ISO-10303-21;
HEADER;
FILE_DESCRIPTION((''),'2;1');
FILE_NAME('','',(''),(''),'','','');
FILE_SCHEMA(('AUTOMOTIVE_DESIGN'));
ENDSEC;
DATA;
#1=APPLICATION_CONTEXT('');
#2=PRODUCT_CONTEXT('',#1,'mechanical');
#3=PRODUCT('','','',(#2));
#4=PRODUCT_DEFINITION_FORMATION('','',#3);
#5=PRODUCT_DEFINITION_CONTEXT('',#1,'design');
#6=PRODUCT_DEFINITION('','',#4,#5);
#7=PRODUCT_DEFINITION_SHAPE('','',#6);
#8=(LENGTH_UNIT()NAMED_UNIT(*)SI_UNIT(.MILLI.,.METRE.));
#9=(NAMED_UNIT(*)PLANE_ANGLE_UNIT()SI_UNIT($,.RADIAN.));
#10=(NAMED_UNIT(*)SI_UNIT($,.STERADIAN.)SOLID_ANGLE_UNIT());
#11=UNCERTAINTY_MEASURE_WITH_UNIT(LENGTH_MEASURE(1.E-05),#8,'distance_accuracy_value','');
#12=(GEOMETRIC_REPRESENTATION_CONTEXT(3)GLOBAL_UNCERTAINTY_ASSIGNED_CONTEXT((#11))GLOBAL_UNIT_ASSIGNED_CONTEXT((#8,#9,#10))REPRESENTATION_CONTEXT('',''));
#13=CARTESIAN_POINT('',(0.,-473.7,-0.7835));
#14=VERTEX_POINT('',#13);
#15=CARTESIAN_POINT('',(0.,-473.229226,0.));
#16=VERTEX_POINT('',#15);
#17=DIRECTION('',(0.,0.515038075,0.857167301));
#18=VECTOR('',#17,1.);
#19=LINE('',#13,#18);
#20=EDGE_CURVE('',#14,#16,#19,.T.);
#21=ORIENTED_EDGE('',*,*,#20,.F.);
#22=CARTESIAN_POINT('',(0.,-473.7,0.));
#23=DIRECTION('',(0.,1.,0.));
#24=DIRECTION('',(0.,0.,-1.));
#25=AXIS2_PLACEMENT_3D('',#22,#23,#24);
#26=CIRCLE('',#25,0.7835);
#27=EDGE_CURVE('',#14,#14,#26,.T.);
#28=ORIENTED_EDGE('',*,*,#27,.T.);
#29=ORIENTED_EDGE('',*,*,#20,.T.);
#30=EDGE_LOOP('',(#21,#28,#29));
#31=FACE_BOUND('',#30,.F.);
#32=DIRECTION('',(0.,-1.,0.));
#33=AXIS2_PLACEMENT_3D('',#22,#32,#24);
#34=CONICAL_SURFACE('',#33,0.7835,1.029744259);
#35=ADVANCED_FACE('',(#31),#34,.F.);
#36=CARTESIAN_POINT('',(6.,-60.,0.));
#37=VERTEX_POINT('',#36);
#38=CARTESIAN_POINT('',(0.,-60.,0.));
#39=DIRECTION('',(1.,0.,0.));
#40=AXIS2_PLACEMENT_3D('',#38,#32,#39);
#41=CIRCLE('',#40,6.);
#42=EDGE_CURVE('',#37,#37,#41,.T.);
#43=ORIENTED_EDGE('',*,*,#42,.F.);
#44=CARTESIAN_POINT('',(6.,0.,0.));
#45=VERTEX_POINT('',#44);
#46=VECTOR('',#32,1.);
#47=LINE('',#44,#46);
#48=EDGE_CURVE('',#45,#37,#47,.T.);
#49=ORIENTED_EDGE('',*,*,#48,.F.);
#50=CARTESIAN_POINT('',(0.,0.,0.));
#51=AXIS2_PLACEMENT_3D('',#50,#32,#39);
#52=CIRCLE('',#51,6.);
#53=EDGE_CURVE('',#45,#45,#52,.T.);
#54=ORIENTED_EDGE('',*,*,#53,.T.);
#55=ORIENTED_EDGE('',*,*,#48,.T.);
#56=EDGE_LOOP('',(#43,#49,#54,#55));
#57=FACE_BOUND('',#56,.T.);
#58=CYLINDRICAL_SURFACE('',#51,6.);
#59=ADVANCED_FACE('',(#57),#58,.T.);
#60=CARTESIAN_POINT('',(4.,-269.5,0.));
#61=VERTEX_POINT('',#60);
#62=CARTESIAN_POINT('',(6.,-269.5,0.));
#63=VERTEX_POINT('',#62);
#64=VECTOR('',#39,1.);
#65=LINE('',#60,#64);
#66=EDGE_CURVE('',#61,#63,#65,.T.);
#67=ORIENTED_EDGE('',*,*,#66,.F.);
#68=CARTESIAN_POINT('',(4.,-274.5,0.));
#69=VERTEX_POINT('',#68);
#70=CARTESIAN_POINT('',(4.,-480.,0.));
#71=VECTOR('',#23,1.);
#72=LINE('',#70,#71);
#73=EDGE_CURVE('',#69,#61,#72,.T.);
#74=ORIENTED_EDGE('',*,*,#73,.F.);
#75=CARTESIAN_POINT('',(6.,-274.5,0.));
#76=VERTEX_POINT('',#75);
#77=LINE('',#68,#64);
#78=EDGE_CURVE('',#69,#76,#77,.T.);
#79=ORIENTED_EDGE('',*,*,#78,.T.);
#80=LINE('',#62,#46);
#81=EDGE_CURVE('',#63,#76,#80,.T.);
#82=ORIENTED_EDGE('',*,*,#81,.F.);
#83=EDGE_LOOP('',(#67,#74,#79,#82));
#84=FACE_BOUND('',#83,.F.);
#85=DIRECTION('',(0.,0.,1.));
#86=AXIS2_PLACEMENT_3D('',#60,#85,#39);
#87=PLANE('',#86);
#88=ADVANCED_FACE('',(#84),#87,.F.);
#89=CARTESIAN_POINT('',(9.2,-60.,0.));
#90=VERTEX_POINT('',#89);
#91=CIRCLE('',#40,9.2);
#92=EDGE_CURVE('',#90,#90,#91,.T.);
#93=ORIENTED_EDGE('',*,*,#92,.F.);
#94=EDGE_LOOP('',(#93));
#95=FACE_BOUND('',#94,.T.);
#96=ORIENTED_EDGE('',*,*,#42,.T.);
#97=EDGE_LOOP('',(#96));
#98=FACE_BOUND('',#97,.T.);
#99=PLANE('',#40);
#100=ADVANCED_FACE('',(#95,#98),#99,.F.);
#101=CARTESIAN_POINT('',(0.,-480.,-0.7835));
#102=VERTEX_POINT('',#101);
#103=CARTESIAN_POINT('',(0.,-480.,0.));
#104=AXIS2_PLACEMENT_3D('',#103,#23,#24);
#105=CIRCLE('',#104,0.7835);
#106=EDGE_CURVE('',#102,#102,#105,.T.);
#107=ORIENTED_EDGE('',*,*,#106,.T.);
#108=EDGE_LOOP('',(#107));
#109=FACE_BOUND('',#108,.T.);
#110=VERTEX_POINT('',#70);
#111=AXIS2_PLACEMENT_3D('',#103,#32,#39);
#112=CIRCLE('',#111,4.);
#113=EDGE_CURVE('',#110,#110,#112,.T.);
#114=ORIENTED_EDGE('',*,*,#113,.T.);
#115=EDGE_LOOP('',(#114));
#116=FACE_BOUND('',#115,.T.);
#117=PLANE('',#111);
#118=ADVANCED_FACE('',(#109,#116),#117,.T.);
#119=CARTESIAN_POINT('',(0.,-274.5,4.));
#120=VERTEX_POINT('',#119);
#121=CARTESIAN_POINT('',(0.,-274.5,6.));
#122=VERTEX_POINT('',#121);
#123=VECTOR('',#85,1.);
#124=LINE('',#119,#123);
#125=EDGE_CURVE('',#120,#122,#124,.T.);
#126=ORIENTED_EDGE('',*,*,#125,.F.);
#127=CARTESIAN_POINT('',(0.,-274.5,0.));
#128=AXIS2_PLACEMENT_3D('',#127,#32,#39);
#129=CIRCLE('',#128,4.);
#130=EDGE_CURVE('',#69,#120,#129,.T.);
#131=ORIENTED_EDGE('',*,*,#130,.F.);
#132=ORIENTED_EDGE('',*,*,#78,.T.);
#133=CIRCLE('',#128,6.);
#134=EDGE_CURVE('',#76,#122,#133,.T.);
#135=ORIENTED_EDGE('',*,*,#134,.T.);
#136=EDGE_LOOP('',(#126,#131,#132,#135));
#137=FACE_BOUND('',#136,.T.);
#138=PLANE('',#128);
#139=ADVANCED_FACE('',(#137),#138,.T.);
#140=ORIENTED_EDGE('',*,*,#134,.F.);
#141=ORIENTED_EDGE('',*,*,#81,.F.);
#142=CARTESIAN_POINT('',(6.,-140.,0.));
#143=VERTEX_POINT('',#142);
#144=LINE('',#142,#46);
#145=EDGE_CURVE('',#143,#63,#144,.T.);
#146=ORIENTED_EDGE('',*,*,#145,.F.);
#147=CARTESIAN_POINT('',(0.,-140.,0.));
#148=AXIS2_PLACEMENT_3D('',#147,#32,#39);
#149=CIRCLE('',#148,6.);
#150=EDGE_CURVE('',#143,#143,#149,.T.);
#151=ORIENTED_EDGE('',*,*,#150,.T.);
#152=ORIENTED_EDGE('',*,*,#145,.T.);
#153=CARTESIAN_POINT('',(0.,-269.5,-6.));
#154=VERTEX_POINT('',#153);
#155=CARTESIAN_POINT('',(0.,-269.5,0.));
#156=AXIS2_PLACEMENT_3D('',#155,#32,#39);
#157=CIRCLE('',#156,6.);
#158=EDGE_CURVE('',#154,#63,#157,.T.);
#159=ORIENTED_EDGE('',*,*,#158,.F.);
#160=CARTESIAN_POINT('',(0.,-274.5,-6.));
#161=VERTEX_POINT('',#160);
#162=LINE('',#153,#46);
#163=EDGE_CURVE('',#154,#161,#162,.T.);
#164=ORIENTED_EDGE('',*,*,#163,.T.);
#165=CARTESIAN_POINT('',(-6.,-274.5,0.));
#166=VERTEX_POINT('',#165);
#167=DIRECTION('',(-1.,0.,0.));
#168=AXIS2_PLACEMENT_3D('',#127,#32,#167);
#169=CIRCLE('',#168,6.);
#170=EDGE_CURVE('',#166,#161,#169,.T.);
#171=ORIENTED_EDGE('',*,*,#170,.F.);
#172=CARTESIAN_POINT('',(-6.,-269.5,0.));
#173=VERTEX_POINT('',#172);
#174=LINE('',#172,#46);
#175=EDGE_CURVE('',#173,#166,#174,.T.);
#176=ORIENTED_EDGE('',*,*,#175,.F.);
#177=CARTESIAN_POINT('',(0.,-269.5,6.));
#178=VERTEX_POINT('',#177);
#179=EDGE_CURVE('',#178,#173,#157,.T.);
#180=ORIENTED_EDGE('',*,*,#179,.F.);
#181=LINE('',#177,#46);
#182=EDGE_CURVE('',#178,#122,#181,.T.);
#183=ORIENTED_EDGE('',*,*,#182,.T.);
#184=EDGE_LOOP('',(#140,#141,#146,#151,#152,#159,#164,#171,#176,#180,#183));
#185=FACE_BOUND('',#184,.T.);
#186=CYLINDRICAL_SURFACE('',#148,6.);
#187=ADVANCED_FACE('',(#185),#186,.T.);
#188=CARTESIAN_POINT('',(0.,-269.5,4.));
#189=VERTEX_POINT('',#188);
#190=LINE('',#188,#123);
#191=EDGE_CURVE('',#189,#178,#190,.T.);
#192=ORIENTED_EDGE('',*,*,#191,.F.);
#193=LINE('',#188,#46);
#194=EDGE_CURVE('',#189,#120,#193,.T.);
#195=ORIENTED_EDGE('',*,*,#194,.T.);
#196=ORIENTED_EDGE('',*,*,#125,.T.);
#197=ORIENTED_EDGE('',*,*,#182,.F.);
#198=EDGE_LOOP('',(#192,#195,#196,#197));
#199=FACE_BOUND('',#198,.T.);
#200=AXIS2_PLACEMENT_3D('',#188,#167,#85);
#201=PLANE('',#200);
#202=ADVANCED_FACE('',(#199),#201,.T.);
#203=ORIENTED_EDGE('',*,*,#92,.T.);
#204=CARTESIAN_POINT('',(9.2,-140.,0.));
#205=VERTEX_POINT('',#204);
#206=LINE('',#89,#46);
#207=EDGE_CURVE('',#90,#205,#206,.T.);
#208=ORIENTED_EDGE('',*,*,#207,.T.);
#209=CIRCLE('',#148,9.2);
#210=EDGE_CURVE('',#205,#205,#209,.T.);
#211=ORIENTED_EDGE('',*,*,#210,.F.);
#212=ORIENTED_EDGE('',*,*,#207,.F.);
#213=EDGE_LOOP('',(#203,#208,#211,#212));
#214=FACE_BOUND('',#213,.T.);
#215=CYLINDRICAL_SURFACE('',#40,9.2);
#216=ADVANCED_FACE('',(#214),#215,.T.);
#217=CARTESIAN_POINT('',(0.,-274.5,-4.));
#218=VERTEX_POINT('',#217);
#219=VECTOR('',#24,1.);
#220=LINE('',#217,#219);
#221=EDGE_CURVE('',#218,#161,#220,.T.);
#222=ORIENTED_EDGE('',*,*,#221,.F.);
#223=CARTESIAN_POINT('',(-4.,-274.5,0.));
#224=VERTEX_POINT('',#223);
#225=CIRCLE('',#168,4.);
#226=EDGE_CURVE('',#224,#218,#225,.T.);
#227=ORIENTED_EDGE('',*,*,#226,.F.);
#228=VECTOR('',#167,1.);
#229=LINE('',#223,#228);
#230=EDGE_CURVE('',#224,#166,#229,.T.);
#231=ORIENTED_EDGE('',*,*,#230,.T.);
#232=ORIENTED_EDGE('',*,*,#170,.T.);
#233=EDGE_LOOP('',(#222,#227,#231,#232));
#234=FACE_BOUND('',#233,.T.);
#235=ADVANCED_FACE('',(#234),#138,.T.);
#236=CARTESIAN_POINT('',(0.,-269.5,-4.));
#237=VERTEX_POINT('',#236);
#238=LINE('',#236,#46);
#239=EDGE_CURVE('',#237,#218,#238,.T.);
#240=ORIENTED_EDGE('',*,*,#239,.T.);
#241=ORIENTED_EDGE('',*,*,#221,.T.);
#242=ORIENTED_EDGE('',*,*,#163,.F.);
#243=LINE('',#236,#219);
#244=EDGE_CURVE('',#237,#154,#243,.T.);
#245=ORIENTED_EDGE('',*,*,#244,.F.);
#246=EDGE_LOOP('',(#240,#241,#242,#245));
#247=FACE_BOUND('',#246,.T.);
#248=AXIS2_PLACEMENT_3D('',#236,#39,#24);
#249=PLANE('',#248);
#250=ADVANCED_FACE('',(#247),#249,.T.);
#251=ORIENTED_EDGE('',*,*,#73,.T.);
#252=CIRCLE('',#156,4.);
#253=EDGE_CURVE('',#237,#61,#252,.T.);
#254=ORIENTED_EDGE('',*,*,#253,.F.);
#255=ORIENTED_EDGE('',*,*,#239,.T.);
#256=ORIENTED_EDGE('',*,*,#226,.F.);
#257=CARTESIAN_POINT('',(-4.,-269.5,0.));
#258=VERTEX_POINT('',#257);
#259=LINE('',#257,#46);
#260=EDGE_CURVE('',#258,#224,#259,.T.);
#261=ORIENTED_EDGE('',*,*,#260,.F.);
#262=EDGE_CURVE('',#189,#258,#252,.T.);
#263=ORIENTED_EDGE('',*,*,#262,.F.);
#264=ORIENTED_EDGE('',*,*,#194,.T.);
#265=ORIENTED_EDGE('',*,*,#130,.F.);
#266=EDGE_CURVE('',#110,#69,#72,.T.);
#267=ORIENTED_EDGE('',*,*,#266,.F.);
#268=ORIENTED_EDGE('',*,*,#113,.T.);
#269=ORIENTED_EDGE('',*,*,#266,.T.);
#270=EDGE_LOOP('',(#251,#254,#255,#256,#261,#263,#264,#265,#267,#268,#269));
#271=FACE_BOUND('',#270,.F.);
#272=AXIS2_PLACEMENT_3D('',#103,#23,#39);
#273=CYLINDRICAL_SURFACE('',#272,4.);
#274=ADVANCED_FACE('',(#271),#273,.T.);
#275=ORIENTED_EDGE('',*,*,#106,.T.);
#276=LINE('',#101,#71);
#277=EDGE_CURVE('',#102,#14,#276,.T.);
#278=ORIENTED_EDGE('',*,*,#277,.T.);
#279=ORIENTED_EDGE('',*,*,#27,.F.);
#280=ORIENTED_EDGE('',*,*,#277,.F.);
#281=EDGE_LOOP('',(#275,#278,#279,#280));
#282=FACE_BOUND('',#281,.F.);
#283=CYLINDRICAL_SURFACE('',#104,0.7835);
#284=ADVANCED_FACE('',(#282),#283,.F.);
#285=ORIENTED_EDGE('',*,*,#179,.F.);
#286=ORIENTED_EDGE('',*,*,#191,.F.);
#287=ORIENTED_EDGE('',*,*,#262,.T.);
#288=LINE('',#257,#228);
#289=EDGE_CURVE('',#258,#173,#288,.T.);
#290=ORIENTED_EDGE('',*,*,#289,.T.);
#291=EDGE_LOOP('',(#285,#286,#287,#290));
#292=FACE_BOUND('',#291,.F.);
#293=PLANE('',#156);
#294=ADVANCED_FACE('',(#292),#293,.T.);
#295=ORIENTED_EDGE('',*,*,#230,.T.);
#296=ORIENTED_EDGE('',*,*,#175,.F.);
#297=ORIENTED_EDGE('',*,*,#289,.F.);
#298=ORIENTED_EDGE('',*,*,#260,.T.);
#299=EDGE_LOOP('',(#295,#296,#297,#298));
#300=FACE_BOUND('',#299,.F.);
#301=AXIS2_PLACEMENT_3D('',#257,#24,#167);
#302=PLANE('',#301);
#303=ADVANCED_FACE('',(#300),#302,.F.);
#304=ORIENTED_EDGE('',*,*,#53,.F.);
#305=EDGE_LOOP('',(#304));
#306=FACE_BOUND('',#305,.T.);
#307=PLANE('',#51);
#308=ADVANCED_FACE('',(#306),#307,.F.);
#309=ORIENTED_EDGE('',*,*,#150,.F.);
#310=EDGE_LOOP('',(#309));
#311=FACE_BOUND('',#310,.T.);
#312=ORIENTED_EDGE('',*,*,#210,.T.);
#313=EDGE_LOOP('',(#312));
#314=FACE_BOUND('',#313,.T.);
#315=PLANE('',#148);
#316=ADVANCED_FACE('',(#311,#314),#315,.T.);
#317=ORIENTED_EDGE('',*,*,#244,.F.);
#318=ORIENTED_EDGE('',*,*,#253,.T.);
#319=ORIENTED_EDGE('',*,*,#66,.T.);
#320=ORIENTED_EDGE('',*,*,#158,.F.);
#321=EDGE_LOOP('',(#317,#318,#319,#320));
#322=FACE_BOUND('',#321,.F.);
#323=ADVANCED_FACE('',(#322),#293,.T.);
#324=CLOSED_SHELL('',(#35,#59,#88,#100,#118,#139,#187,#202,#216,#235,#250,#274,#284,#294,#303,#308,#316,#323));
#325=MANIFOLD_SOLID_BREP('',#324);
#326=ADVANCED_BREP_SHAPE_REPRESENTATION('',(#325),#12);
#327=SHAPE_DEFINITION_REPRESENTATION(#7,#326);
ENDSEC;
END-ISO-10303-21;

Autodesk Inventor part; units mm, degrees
ref_plane "YZ Plane" through (0, 0, 0) normal (1, 0, 0) x (0, 1, 0)
ref_plane "XZ Plane" through (0, 0, 0) normal (0, 1, 0) x (-1, 0, 0)
ref_plane "XY Plane" through (0, 0, 0) normal (0, 0, 1) x (1, 0, 0)
sketch "Sketch1" plane through (0, 0, 0) normal (0, 0, 1) x (1, 0, 0)
  line L0 (0, 0) -> (0, -500) construction
  line L1 (0, 0) -> (6, 0)
  line L2 (6, 0) -> (6, -60)
  line L3 (6, -60) -> (9.2, -60)
  line L4 (9.2, -60) -> (9.2, -140)
  line L5 (9.2, -140) -> (6, -140)
  line L6 (6, -140) -> (6, -269.5)
  line L7 (0, 0) -> (0, -480)
  line L8 (0, 0) -> (0, 9) construction
  line L9 (4, -480) -> (4, -269.5)
  line L10 (4, -269.5) -> (6, -269.5)
  line L11 (4, -480) -> (0, -480)
  dimension "d1" = 12
  dimension "d2" = 60
  dimension "d3" = 18.4
  dimension "d4" = 80
  dimension "d7" = 8
  dimension "d8" = 210.5
  dimension "d9" = 480
revolve "Revolution1" add sketch "Sketch1" angle 360 about axis through (0, 0, 0) along (0, -1, 0)
sketch "Sketch2" plane through (0, -269.5, 0) normal (0, -1, 0) x (1, 0, 0)
  line L0 (0, 0) -> (0, 10.7217) construction
  line L1 (0, 0) -> (0, -10) construction
  line L2 (0, 0) -> (-12.4689, 0) construction
  line L3 (0, 0) -> (11.6918, 0) construction
  circle A0 centre (0, 0) radius 6 construction
  arc A1 (6, 0) -> (0, 6) centre (0, 0) ccw
  arc A2 (-6, 0) -> (0, -6) centre (0, 0) ccw
  arc A3 (4, 0) -> (0, 4) centre (0, 0) ccw
  arc A4 (-4, 0) -> (0, -4) centre (0, 0) ccw
  line L4 (-4, 0) -> (-6, 0)
  line L5 (0, -4) -> (0, -6)
  line L6 (0, 4) -> (0, 6)
  line L7 (4, 0) -> (6, 0)
  dimension "d10" = 4
  dimension "d11" = 4
extrude "Extrusion1" add sketch "Sketch2" along normal blind 5
sketch "Sketch3" plane through (0, -480, 0) normal (0, -1, 0) x (1, 0, 0)
  point P0 (0, 0)
  point P1 (0, 0)
hole "Hole1" at (0, -480, 0) direction (0, 1, 0) diameter 1.567 depth 6.3 tip angle 118 thread size "M2x0.4" class "6H" standard "ANSI Metric M Profile"
sketch "Sketch4" plane through (0, -480, 0) normal (0, -1, 0) x (1, 0, 0)
  point P0 (0, 0)
sketch "Sketch6" plane through (0, -480, 0) normal (0, -1, 0) x (1, 0, 0)
  point P0 (0, 0)
properties part number "Achse"
